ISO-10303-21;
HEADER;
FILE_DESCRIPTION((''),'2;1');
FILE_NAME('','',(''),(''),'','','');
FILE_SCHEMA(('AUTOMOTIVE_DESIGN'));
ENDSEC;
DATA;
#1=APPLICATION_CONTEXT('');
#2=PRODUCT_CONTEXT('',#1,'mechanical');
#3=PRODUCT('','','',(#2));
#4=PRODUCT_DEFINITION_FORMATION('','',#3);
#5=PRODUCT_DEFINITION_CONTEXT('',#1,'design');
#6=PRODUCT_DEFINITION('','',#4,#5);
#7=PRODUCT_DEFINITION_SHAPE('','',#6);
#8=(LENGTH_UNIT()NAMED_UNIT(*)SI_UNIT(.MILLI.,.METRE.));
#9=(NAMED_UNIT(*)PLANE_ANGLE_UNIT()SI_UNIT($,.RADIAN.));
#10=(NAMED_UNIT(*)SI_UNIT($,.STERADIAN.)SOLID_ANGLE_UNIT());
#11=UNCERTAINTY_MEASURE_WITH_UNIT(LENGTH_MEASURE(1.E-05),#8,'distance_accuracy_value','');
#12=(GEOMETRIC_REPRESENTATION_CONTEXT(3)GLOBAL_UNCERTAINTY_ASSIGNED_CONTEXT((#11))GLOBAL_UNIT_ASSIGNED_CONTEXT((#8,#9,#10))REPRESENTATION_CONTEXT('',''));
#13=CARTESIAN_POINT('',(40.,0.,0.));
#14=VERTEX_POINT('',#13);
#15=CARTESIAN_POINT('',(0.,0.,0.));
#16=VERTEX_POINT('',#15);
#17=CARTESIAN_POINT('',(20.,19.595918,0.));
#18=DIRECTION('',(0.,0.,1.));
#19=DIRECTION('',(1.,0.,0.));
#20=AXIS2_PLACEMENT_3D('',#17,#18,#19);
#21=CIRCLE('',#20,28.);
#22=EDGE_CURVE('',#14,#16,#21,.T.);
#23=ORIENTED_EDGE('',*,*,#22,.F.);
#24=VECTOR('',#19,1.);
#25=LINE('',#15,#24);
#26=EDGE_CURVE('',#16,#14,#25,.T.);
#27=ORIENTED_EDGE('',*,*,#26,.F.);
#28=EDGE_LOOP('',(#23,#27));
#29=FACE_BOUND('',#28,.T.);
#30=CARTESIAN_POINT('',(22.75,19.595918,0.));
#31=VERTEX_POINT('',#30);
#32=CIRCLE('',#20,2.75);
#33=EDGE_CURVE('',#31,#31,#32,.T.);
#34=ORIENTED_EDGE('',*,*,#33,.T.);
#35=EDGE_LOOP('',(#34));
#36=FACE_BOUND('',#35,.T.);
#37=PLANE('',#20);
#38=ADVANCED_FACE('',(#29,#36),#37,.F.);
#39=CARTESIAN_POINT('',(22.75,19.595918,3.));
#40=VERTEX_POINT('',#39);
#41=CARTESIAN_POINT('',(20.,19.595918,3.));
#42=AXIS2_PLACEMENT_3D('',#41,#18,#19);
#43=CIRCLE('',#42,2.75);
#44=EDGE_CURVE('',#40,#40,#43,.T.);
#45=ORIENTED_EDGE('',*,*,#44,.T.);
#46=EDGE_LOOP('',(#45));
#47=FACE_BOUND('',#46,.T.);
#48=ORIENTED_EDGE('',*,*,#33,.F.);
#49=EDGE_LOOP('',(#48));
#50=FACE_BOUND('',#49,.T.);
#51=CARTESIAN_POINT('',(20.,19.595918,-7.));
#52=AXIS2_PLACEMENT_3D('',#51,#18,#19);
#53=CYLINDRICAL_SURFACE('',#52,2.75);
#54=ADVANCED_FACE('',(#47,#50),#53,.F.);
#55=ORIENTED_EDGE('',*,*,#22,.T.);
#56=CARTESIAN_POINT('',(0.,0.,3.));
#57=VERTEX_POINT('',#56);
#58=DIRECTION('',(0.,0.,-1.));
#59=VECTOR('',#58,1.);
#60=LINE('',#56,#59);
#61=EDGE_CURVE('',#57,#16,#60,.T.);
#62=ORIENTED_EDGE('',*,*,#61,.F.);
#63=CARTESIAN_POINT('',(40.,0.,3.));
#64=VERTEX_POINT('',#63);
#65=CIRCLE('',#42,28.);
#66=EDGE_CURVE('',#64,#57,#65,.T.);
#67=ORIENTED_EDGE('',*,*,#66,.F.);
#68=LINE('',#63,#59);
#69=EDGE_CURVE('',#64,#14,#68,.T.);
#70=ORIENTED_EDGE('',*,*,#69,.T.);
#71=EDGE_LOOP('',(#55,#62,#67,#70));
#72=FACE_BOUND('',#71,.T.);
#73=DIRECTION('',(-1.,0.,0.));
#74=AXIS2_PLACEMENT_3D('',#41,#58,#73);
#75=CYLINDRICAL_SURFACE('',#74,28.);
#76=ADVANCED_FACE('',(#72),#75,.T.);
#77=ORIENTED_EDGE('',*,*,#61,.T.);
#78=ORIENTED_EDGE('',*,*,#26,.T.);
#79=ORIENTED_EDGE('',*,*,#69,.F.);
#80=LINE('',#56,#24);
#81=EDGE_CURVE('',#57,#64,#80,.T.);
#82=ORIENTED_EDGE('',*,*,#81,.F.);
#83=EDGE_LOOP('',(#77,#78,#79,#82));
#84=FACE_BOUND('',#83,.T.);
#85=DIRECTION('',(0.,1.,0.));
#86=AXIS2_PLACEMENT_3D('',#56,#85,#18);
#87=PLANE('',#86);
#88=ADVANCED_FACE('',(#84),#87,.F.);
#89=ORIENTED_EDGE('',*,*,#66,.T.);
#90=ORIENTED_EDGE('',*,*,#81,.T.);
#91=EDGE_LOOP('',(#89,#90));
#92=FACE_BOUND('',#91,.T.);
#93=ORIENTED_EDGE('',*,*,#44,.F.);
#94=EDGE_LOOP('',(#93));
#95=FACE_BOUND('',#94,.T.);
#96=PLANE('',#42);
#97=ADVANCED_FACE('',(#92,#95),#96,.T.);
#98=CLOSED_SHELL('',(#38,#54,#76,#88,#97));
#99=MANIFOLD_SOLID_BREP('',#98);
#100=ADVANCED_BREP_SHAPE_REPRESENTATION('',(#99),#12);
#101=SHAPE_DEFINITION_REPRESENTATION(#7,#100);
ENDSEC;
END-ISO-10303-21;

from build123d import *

# Parameters (mm, degrees)
BOSS_EXTRUDE1_DEPTH = 3
SKETCH2_R           = 2.75
CUT_EXTRUDE1_DEPTH  = 10


with BuildPart() as part:
    # Sketch1 → Boss-Extrude1 (new body)
    with BuildSketch(Plane.XY):
        with BuildLine():
            Line((0, 0), (40, 0))
            ThreePointArc((40, 0), (20, 47.595917942), (0, 0))
        make_face()
    extrude(amount=BOSS_EXTRUDE1_DEPTH)

    # Sketch2 → Cut-Extrude1 (cut)
    with BuildSketch(Plane.XY.offset(3)):
        with Locations((20, 19.595917942)):
            Circle(SKETCH2_R)
    extrude(amount=-CUT_EXTRUDE1_DEPTH, mode=Mode.SUBTRACT)


solid = part.part
